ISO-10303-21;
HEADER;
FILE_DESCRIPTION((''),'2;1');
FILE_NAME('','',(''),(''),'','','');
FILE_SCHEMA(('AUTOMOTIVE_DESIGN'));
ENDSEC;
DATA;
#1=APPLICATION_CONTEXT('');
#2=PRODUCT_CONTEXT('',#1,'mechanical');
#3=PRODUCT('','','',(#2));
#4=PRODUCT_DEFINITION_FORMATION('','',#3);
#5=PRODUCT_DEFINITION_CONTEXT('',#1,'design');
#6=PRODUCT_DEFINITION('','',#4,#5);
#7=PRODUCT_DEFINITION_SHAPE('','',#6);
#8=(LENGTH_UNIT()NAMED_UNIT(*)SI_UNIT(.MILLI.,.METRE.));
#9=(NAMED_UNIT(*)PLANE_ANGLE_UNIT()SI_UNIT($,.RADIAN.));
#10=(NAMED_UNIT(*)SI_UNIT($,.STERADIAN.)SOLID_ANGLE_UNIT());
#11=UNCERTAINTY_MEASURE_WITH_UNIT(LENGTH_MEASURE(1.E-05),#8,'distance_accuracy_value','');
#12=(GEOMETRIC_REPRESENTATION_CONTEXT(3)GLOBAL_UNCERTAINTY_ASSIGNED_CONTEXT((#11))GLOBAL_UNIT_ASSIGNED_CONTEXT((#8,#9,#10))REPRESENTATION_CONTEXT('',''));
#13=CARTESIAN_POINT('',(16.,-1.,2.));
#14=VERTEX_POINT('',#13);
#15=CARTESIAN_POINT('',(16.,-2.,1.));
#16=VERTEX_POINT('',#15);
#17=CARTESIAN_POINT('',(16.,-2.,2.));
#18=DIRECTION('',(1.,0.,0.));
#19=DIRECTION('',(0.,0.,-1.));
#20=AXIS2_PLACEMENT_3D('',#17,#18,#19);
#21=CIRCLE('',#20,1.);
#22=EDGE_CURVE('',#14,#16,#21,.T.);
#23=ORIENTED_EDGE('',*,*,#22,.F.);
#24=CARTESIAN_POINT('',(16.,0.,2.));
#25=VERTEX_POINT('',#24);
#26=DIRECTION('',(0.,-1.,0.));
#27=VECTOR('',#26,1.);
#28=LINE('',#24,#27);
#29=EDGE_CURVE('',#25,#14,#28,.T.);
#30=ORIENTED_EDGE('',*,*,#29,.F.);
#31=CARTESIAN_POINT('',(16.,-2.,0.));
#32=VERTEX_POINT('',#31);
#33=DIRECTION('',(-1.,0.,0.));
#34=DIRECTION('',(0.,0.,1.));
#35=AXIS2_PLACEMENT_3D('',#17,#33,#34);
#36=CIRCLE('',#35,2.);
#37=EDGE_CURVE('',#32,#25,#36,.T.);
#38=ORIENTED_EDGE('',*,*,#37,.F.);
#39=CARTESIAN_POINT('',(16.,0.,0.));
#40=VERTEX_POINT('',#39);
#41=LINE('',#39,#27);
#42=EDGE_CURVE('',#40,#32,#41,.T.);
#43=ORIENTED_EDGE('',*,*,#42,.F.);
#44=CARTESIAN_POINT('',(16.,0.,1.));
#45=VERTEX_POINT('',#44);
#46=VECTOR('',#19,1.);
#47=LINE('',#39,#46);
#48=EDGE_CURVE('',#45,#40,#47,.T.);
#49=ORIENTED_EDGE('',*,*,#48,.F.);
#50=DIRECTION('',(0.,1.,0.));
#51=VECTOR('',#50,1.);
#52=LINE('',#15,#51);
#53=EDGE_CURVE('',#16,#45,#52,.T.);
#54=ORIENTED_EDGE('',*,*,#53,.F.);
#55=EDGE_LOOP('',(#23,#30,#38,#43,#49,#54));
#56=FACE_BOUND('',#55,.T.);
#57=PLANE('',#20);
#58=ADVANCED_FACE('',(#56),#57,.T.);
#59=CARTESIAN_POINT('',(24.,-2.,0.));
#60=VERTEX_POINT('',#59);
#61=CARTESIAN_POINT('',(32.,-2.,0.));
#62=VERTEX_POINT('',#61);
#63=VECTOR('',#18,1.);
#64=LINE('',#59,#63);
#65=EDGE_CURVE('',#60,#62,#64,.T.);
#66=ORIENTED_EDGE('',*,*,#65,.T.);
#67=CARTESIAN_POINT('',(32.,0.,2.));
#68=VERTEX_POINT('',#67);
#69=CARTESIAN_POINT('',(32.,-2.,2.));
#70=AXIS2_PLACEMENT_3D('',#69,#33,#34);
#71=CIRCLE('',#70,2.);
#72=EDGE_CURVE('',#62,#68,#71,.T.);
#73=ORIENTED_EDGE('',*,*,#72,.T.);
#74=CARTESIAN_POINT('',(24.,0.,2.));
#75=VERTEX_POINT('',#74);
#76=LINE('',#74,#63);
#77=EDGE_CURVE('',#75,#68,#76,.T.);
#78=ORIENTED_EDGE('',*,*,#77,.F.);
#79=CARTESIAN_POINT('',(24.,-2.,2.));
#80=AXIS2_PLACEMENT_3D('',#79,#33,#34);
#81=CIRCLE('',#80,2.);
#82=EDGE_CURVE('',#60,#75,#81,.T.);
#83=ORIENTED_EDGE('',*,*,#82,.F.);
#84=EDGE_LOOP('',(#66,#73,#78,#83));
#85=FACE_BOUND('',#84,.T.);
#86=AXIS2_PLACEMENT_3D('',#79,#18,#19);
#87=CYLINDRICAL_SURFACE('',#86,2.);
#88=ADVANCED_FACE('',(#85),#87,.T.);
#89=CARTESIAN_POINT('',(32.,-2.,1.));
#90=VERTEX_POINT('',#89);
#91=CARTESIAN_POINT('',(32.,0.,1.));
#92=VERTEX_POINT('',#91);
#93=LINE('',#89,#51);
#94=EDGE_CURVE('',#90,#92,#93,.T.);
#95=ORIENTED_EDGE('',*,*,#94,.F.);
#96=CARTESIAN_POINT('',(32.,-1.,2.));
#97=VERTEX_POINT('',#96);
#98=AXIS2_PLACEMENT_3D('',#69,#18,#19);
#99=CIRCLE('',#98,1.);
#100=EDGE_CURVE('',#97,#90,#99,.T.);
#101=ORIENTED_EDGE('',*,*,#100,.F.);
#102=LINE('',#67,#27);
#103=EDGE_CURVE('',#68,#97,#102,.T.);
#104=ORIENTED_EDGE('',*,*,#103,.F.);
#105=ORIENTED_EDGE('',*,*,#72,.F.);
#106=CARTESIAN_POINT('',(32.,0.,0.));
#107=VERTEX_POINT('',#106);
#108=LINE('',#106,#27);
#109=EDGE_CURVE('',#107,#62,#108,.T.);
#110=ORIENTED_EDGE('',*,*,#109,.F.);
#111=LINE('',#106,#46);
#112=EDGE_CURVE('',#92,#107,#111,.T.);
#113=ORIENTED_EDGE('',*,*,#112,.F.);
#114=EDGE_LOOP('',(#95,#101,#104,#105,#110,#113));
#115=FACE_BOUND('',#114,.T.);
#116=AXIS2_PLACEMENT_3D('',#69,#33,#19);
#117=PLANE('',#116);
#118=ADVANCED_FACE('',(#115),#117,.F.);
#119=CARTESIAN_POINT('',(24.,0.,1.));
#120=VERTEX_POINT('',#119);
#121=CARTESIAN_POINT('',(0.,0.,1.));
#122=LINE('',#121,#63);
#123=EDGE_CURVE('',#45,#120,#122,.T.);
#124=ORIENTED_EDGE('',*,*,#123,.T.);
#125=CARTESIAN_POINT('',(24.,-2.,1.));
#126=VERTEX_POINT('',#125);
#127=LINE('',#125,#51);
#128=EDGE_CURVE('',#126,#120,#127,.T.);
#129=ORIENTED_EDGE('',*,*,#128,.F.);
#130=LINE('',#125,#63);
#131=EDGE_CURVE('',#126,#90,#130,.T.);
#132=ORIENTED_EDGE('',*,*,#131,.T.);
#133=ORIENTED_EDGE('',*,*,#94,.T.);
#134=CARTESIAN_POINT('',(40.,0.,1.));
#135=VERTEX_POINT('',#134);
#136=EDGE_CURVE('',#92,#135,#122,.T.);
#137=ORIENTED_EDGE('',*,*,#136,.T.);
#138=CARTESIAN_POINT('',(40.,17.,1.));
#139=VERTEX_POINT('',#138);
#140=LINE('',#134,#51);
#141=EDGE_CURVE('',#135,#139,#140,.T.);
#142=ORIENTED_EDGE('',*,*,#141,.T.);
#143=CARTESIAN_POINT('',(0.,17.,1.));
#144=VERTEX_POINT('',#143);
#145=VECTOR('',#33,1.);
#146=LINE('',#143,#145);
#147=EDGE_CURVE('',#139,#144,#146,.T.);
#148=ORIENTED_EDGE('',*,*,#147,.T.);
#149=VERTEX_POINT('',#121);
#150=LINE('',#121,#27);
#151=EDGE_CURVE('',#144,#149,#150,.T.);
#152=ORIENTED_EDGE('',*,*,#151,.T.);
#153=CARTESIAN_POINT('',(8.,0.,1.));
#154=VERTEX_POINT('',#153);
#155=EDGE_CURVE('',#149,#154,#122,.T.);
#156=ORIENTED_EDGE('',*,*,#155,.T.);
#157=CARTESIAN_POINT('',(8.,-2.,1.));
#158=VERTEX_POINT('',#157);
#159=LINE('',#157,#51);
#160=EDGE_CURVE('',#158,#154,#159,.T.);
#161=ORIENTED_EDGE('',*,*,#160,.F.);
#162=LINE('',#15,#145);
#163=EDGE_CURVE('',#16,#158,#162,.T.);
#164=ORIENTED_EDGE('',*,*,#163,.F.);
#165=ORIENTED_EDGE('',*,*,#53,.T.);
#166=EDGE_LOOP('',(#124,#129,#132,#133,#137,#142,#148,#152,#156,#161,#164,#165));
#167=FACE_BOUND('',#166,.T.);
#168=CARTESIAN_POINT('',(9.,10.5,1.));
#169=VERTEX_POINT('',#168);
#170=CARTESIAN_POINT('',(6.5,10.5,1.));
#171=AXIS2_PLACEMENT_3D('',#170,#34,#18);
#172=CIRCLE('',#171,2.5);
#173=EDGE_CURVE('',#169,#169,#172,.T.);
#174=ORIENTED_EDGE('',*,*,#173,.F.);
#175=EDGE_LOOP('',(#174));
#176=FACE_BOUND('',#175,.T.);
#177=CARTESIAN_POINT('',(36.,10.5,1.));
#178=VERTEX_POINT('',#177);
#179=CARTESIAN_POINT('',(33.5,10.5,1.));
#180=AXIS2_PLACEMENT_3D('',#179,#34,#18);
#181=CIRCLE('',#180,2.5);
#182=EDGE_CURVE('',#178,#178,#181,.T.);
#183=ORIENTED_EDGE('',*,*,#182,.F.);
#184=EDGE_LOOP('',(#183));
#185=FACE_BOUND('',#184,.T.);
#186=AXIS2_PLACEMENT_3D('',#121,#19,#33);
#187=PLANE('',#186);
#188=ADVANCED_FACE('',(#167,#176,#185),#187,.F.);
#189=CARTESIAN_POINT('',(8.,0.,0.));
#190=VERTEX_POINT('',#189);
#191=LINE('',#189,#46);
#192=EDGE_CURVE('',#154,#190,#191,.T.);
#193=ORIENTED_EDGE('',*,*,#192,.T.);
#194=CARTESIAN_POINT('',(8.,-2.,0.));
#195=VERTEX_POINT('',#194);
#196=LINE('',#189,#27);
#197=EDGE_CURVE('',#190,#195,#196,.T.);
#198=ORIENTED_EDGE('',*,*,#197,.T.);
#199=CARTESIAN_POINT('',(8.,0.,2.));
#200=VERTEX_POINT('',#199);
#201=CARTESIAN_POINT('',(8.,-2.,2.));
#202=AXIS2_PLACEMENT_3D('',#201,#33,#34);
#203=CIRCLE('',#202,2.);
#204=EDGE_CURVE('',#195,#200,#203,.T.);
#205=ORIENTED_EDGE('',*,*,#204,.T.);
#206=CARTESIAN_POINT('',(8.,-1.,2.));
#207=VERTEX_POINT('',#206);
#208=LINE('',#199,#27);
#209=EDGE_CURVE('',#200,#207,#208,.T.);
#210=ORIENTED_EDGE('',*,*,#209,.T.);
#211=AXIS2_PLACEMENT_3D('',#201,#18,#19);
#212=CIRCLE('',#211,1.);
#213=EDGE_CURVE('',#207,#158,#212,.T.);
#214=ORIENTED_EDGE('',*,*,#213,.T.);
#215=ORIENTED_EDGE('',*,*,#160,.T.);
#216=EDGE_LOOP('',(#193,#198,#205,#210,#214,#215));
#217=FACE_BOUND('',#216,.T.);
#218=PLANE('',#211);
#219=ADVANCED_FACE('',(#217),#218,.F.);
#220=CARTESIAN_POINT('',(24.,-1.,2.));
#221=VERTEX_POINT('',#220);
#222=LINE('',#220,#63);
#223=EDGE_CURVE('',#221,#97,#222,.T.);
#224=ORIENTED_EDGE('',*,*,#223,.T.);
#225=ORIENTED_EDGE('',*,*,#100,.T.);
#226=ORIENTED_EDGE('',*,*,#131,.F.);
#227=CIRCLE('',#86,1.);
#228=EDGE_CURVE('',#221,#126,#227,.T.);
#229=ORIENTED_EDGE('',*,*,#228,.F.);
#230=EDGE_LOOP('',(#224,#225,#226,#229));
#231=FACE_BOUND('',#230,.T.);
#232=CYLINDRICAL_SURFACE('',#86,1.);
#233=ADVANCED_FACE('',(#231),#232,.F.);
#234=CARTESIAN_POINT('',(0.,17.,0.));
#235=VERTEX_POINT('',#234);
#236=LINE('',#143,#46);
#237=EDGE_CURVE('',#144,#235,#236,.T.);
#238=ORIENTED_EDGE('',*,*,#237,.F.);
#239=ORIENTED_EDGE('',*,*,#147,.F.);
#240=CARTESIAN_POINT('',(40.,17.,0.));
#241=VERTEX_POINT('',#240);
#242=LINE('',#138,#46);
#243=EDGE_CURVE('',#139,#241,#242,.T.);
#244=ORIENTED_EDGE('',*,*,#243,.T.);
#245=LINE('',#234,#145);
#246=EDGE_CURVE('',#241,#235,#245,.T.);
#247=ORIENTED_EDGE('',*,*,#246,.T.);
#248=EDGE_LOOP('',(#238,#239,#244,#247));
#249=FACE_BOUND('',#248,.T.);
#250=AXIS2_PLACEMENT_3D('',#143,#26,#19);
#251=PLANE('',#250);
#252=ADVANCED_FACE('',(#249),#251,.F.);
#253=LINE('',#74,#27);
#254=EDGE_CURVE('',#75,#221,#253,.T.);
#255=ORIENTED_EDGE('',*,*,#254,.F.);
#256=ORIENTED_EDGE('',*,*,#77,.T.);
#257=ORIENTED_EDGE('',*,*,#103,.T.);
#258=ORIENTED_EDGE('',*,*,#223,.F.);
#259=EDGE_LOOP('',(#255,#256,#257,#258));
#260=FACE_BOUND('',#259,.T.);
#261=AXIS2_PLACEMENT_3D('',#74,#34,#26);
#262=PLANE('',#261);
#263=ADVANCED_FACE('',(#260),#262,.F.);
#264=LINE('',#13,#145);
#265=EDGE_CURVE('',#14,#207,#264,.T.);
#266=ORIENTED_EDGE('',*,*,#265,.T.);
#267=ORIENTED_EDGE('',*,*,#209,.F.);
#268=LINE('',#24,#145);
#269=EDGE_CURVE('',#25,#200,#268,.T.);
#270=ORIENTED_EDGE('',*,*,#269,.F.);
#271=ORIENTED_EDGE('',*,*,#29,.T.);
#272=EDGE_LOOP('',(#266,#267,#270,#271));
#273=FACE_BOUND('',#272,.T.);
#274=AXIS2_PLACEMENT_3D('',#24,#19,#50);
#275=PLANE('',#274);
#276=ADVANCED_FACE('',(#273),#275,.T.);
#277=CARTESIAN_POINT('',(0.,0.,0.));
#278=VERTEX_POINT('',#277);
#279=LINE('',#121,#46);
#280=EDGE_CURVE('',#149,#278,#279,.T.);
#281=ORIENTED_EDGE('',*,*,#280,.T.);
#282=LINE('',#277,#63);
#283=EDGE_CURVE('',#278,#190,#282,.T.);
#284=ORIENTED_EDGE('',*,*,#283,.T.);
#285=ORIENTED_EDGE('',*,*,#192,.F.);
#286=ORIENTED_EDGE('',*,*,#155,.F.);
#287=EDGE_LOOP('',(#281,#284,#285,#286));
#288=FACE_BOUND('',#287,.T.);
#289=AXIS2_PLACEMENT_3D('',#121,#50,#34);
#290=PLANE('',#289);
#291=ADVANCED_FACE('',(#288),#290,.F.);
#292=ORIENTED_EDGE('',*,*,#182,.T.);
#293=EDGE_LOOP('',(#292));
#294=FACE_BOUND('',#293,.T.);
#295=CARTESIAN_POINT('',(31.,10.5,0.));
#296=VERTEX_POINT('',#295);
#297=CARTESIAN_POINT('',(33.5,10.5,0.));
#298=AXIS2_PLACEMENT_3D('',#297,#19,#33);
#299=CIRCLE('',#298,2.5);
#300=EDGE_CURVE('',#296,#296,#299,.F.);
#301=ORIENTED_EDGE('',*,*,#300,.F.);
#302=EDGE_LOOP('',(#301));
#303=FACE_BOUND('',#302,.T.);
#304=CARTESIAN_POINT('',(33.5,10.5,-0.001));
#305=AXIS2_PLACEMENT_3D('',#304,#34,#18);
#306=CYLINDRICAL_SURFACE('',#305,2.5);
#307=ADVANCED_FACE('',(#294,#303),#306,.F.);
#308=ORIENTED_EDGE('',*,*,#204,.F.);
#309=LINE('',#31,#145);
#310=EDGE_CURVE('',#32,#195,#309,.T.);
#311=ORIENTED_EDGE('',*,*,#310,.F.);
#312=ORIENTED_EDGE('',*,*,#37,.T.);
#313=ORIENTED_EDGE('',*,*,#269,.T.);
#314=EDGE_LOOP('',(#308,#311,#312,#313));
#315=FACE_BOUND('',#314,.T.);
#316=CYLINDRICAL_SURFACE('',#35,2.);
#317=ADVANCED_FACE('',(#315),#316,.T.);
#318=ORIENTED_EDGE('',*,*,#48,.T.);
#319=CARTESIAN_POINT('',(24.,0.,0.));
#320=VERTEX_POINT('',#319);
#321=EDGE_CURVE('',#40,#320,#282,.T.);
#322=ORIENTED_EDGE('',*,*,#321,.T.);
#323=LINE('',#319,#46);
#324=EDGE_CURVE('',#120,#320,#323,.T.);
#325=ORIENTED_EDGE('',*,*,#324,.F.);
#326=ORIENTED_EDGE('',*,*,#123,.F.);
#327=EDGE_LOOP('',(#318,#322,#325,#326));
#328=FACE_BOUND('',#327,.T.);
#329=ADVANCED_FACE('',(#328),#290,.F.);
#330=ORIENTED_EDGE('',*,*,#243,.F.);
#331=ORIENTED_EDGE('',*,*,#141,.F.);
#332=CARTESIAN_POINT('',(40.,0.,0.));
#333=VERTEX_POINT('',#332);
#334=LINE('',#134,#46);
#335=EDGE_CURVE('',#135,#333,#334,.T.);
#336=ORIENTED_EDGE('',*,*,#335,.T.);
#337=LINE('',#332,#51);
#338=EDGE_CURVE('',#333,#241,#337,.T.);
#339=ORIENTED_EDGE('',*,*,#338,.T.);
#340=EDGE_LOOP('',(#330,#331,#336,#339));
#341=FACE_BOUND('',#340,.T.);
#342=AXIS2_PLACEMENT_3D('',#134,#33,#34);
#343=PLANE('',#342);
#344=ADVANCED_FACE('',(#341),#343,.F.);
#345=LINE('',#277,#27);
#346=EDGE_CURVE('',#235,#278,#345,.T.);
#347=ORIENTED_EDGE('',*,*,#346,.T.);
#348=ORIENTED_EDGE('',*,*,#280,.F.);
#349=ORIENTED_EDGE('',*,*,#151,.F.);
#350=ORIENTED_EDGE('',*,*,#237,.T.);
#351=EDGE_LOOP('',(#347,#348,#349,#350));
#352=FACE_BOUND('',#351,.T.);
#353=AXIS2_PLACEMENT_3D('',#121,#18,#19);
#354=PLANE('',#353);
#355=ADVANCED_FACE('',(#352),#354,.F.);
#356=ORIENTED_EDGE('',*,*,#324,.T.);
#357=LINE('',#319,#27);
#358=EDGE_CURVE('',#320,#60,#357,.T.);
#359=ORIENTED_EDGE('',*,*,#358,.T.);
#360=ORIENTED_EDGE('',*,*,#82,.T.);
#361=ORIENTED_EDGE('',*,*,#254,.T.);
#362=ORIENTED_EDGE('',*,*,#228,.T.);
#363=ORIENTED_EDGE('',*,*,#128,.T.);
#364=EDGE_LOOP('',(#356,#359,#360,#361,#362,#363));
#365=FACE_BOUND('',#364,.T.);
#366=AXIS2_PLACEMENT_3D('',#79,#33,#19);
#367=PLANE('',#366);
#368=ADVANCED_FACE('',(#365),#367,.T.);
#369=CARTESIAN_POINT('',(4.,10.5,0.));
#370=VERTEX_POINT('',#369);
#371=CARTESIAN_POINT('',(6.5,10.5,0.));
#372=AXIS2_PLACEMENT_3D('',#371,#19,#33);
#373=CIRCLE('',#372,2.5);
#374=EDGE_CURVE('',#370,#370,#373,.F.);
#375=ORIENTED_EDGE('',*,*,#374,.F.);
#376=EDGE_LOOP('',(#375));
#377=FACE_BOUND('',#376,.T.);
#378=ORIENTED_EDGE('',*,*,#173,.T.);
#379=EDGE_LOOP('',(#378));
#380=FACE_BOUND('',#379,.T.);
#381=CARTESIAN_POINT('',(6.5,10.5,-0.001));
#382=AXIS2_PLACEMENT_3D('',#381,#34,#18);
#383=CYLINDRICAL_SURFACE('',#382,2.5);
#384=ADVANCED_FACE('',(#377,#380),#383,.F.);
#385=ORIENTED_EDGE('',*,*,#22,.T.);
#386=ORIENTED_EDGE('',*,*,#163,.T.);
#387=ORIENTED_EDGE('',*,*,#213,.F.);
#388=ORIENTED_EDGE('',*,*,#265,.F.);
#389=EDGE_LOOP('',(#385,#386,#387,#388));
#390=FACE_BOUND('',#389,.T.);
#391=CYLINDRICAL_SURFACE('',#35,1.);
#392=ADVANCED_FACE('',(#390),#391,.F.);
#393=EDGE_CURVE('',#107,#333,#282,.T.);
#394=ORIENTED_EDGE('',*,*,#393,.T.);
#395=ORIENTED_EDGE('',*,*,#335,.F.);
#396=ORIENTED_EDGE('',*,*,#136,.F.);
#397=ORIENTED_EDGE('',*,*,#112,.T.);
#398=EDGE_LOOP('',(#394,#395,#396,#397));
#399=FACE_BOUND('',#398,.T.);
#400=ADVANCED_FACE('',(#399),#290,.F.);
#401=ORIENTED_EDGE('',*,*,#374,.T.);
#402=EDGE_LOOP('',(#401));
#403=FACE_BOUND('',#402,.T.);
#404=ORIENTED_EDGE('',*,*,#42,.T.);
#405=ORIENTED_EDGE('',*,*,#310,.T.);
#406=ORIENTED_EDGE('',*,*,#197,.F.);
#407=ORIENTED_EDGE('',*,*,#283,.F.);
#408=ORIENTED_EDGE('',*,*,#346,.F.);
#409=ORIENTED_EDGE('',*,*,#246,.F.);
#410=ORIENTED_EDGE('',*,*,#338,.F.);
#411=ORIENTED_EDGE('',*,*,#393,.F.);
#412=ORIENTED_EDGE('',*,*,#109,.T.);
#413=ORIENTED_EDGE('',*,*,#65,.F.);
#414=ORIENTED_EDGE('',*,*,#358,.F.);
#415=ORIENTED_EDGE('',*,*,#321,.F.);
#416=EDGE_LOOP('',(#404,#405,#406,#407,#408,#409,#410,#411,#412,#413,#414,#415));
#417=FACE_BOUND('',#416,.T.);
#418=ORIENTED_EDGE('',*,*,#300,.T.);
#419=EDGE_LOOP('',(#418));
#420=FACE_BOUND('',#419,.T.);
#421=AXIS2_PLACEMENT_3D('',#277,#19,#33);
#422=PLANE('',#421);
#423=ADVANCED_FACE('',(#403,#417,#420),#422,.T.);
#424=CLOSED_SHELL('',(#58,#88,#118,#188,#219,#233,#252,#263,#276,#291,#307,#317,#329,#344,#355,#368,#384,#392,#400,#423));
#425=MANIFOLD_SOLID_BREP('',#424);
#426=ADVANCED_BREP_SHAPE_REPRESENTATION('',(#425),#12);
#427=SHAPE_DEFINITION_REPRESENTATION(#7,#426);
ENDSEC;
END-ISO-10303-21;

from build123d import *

# Parameters (mm, degrees)
ESQUISSE1_W             = 40
ESQUISSE1_H             = 17
BOSS_EXTRU_1_DEPTH      = 1
ENL_V_MAT_EXTRU_1_REACH = 45.474
ESQUISSE2_R             = 2.5
BOSS_EXTRU_2_DEPTH      = 8


with BuildPart() as part:
    # Esquisse1 → Boss.-Extru.1 (new body)
    with BuildSketch(Plane.XY):
        with Locations((20, 8.5)):
            Rectangle(ESQUISSE1_W, ESQUISSE1_H)
    extrude(amount=BOSS_EXTRU_1_DEPTH)

    # Esquisse2 → Enlèv. mat.-Extru.1 (cut, up to next)
    with BuildSketch(Plane.XY.offset(1), mode=Mode.PRIVATE) as enl_v_mat_extru_1_sk1:
        with Locations((6.5, 10.5)):
            Circle(ESQUISSE2_R)
    enl_v_mat_extru_1_tool1 = extrude(enl_v_mat_extru_1_sk1.sketch, amount=-ENL_V_MAT_EXTRU_1_REACH, mode=Mode.PRIVATE) & part.part
    # Esquisse2 → Enlèv. mat.-Extru.1 (cut, up to next)
    with BuildSketch(Plane.XY.offset(1), mode=Mode.PRIVATE) as enl_v_mat_extru_1_sk2:
        with Locations((33.5, 10.5)):
            Circle(ESQUISSE2_R)
    enl_v_mat_extru_1_tool2 = extrude(enl_v_mat_extru_1_sk2.sketch, amount=-ENL_V_MAT_EXTRU_1_REACH, mode=Mode.PRIVATE) & part.part
    add(enl_v_mat_extru_1_tool1.solids().sort_by_distance((6.5, 10.5, 1))[0], mode=Mode.SUBTRACT)
    add(enl_v_mat_extru_1_tool2.solids().sort_by_distance((33.5, 10.5, 1))[0], mode=Mode.SUBTRACT)

    # Esquisse3 → Boss.-Extru.2 (add)
    with BuildSketch(Plane.ZY.offset(-8)):
        with BuildLine():
            Line((0, 0), (0, -2))
            ThreePointArc((0, -2), (3.414213562, -3.414213562), (2, 0))
            Line((2, 0), (2, -1))
            ThreePointArc((2, -1), (2.707106781, -2.707106781), (1, -2))
            Line((1, -2), (1, 0))
            Line((1, 0), (0, 0))
        make_face()
    boss_extru_2 = extrude(amount=-BOSS_EXTRU_2_DEPTH)

    # Symétrie1: Boss.-Extru.2 across plane
    add(boss_extru_2.mirror(Plane.ZY.offset(-20)))


solid = part.part
